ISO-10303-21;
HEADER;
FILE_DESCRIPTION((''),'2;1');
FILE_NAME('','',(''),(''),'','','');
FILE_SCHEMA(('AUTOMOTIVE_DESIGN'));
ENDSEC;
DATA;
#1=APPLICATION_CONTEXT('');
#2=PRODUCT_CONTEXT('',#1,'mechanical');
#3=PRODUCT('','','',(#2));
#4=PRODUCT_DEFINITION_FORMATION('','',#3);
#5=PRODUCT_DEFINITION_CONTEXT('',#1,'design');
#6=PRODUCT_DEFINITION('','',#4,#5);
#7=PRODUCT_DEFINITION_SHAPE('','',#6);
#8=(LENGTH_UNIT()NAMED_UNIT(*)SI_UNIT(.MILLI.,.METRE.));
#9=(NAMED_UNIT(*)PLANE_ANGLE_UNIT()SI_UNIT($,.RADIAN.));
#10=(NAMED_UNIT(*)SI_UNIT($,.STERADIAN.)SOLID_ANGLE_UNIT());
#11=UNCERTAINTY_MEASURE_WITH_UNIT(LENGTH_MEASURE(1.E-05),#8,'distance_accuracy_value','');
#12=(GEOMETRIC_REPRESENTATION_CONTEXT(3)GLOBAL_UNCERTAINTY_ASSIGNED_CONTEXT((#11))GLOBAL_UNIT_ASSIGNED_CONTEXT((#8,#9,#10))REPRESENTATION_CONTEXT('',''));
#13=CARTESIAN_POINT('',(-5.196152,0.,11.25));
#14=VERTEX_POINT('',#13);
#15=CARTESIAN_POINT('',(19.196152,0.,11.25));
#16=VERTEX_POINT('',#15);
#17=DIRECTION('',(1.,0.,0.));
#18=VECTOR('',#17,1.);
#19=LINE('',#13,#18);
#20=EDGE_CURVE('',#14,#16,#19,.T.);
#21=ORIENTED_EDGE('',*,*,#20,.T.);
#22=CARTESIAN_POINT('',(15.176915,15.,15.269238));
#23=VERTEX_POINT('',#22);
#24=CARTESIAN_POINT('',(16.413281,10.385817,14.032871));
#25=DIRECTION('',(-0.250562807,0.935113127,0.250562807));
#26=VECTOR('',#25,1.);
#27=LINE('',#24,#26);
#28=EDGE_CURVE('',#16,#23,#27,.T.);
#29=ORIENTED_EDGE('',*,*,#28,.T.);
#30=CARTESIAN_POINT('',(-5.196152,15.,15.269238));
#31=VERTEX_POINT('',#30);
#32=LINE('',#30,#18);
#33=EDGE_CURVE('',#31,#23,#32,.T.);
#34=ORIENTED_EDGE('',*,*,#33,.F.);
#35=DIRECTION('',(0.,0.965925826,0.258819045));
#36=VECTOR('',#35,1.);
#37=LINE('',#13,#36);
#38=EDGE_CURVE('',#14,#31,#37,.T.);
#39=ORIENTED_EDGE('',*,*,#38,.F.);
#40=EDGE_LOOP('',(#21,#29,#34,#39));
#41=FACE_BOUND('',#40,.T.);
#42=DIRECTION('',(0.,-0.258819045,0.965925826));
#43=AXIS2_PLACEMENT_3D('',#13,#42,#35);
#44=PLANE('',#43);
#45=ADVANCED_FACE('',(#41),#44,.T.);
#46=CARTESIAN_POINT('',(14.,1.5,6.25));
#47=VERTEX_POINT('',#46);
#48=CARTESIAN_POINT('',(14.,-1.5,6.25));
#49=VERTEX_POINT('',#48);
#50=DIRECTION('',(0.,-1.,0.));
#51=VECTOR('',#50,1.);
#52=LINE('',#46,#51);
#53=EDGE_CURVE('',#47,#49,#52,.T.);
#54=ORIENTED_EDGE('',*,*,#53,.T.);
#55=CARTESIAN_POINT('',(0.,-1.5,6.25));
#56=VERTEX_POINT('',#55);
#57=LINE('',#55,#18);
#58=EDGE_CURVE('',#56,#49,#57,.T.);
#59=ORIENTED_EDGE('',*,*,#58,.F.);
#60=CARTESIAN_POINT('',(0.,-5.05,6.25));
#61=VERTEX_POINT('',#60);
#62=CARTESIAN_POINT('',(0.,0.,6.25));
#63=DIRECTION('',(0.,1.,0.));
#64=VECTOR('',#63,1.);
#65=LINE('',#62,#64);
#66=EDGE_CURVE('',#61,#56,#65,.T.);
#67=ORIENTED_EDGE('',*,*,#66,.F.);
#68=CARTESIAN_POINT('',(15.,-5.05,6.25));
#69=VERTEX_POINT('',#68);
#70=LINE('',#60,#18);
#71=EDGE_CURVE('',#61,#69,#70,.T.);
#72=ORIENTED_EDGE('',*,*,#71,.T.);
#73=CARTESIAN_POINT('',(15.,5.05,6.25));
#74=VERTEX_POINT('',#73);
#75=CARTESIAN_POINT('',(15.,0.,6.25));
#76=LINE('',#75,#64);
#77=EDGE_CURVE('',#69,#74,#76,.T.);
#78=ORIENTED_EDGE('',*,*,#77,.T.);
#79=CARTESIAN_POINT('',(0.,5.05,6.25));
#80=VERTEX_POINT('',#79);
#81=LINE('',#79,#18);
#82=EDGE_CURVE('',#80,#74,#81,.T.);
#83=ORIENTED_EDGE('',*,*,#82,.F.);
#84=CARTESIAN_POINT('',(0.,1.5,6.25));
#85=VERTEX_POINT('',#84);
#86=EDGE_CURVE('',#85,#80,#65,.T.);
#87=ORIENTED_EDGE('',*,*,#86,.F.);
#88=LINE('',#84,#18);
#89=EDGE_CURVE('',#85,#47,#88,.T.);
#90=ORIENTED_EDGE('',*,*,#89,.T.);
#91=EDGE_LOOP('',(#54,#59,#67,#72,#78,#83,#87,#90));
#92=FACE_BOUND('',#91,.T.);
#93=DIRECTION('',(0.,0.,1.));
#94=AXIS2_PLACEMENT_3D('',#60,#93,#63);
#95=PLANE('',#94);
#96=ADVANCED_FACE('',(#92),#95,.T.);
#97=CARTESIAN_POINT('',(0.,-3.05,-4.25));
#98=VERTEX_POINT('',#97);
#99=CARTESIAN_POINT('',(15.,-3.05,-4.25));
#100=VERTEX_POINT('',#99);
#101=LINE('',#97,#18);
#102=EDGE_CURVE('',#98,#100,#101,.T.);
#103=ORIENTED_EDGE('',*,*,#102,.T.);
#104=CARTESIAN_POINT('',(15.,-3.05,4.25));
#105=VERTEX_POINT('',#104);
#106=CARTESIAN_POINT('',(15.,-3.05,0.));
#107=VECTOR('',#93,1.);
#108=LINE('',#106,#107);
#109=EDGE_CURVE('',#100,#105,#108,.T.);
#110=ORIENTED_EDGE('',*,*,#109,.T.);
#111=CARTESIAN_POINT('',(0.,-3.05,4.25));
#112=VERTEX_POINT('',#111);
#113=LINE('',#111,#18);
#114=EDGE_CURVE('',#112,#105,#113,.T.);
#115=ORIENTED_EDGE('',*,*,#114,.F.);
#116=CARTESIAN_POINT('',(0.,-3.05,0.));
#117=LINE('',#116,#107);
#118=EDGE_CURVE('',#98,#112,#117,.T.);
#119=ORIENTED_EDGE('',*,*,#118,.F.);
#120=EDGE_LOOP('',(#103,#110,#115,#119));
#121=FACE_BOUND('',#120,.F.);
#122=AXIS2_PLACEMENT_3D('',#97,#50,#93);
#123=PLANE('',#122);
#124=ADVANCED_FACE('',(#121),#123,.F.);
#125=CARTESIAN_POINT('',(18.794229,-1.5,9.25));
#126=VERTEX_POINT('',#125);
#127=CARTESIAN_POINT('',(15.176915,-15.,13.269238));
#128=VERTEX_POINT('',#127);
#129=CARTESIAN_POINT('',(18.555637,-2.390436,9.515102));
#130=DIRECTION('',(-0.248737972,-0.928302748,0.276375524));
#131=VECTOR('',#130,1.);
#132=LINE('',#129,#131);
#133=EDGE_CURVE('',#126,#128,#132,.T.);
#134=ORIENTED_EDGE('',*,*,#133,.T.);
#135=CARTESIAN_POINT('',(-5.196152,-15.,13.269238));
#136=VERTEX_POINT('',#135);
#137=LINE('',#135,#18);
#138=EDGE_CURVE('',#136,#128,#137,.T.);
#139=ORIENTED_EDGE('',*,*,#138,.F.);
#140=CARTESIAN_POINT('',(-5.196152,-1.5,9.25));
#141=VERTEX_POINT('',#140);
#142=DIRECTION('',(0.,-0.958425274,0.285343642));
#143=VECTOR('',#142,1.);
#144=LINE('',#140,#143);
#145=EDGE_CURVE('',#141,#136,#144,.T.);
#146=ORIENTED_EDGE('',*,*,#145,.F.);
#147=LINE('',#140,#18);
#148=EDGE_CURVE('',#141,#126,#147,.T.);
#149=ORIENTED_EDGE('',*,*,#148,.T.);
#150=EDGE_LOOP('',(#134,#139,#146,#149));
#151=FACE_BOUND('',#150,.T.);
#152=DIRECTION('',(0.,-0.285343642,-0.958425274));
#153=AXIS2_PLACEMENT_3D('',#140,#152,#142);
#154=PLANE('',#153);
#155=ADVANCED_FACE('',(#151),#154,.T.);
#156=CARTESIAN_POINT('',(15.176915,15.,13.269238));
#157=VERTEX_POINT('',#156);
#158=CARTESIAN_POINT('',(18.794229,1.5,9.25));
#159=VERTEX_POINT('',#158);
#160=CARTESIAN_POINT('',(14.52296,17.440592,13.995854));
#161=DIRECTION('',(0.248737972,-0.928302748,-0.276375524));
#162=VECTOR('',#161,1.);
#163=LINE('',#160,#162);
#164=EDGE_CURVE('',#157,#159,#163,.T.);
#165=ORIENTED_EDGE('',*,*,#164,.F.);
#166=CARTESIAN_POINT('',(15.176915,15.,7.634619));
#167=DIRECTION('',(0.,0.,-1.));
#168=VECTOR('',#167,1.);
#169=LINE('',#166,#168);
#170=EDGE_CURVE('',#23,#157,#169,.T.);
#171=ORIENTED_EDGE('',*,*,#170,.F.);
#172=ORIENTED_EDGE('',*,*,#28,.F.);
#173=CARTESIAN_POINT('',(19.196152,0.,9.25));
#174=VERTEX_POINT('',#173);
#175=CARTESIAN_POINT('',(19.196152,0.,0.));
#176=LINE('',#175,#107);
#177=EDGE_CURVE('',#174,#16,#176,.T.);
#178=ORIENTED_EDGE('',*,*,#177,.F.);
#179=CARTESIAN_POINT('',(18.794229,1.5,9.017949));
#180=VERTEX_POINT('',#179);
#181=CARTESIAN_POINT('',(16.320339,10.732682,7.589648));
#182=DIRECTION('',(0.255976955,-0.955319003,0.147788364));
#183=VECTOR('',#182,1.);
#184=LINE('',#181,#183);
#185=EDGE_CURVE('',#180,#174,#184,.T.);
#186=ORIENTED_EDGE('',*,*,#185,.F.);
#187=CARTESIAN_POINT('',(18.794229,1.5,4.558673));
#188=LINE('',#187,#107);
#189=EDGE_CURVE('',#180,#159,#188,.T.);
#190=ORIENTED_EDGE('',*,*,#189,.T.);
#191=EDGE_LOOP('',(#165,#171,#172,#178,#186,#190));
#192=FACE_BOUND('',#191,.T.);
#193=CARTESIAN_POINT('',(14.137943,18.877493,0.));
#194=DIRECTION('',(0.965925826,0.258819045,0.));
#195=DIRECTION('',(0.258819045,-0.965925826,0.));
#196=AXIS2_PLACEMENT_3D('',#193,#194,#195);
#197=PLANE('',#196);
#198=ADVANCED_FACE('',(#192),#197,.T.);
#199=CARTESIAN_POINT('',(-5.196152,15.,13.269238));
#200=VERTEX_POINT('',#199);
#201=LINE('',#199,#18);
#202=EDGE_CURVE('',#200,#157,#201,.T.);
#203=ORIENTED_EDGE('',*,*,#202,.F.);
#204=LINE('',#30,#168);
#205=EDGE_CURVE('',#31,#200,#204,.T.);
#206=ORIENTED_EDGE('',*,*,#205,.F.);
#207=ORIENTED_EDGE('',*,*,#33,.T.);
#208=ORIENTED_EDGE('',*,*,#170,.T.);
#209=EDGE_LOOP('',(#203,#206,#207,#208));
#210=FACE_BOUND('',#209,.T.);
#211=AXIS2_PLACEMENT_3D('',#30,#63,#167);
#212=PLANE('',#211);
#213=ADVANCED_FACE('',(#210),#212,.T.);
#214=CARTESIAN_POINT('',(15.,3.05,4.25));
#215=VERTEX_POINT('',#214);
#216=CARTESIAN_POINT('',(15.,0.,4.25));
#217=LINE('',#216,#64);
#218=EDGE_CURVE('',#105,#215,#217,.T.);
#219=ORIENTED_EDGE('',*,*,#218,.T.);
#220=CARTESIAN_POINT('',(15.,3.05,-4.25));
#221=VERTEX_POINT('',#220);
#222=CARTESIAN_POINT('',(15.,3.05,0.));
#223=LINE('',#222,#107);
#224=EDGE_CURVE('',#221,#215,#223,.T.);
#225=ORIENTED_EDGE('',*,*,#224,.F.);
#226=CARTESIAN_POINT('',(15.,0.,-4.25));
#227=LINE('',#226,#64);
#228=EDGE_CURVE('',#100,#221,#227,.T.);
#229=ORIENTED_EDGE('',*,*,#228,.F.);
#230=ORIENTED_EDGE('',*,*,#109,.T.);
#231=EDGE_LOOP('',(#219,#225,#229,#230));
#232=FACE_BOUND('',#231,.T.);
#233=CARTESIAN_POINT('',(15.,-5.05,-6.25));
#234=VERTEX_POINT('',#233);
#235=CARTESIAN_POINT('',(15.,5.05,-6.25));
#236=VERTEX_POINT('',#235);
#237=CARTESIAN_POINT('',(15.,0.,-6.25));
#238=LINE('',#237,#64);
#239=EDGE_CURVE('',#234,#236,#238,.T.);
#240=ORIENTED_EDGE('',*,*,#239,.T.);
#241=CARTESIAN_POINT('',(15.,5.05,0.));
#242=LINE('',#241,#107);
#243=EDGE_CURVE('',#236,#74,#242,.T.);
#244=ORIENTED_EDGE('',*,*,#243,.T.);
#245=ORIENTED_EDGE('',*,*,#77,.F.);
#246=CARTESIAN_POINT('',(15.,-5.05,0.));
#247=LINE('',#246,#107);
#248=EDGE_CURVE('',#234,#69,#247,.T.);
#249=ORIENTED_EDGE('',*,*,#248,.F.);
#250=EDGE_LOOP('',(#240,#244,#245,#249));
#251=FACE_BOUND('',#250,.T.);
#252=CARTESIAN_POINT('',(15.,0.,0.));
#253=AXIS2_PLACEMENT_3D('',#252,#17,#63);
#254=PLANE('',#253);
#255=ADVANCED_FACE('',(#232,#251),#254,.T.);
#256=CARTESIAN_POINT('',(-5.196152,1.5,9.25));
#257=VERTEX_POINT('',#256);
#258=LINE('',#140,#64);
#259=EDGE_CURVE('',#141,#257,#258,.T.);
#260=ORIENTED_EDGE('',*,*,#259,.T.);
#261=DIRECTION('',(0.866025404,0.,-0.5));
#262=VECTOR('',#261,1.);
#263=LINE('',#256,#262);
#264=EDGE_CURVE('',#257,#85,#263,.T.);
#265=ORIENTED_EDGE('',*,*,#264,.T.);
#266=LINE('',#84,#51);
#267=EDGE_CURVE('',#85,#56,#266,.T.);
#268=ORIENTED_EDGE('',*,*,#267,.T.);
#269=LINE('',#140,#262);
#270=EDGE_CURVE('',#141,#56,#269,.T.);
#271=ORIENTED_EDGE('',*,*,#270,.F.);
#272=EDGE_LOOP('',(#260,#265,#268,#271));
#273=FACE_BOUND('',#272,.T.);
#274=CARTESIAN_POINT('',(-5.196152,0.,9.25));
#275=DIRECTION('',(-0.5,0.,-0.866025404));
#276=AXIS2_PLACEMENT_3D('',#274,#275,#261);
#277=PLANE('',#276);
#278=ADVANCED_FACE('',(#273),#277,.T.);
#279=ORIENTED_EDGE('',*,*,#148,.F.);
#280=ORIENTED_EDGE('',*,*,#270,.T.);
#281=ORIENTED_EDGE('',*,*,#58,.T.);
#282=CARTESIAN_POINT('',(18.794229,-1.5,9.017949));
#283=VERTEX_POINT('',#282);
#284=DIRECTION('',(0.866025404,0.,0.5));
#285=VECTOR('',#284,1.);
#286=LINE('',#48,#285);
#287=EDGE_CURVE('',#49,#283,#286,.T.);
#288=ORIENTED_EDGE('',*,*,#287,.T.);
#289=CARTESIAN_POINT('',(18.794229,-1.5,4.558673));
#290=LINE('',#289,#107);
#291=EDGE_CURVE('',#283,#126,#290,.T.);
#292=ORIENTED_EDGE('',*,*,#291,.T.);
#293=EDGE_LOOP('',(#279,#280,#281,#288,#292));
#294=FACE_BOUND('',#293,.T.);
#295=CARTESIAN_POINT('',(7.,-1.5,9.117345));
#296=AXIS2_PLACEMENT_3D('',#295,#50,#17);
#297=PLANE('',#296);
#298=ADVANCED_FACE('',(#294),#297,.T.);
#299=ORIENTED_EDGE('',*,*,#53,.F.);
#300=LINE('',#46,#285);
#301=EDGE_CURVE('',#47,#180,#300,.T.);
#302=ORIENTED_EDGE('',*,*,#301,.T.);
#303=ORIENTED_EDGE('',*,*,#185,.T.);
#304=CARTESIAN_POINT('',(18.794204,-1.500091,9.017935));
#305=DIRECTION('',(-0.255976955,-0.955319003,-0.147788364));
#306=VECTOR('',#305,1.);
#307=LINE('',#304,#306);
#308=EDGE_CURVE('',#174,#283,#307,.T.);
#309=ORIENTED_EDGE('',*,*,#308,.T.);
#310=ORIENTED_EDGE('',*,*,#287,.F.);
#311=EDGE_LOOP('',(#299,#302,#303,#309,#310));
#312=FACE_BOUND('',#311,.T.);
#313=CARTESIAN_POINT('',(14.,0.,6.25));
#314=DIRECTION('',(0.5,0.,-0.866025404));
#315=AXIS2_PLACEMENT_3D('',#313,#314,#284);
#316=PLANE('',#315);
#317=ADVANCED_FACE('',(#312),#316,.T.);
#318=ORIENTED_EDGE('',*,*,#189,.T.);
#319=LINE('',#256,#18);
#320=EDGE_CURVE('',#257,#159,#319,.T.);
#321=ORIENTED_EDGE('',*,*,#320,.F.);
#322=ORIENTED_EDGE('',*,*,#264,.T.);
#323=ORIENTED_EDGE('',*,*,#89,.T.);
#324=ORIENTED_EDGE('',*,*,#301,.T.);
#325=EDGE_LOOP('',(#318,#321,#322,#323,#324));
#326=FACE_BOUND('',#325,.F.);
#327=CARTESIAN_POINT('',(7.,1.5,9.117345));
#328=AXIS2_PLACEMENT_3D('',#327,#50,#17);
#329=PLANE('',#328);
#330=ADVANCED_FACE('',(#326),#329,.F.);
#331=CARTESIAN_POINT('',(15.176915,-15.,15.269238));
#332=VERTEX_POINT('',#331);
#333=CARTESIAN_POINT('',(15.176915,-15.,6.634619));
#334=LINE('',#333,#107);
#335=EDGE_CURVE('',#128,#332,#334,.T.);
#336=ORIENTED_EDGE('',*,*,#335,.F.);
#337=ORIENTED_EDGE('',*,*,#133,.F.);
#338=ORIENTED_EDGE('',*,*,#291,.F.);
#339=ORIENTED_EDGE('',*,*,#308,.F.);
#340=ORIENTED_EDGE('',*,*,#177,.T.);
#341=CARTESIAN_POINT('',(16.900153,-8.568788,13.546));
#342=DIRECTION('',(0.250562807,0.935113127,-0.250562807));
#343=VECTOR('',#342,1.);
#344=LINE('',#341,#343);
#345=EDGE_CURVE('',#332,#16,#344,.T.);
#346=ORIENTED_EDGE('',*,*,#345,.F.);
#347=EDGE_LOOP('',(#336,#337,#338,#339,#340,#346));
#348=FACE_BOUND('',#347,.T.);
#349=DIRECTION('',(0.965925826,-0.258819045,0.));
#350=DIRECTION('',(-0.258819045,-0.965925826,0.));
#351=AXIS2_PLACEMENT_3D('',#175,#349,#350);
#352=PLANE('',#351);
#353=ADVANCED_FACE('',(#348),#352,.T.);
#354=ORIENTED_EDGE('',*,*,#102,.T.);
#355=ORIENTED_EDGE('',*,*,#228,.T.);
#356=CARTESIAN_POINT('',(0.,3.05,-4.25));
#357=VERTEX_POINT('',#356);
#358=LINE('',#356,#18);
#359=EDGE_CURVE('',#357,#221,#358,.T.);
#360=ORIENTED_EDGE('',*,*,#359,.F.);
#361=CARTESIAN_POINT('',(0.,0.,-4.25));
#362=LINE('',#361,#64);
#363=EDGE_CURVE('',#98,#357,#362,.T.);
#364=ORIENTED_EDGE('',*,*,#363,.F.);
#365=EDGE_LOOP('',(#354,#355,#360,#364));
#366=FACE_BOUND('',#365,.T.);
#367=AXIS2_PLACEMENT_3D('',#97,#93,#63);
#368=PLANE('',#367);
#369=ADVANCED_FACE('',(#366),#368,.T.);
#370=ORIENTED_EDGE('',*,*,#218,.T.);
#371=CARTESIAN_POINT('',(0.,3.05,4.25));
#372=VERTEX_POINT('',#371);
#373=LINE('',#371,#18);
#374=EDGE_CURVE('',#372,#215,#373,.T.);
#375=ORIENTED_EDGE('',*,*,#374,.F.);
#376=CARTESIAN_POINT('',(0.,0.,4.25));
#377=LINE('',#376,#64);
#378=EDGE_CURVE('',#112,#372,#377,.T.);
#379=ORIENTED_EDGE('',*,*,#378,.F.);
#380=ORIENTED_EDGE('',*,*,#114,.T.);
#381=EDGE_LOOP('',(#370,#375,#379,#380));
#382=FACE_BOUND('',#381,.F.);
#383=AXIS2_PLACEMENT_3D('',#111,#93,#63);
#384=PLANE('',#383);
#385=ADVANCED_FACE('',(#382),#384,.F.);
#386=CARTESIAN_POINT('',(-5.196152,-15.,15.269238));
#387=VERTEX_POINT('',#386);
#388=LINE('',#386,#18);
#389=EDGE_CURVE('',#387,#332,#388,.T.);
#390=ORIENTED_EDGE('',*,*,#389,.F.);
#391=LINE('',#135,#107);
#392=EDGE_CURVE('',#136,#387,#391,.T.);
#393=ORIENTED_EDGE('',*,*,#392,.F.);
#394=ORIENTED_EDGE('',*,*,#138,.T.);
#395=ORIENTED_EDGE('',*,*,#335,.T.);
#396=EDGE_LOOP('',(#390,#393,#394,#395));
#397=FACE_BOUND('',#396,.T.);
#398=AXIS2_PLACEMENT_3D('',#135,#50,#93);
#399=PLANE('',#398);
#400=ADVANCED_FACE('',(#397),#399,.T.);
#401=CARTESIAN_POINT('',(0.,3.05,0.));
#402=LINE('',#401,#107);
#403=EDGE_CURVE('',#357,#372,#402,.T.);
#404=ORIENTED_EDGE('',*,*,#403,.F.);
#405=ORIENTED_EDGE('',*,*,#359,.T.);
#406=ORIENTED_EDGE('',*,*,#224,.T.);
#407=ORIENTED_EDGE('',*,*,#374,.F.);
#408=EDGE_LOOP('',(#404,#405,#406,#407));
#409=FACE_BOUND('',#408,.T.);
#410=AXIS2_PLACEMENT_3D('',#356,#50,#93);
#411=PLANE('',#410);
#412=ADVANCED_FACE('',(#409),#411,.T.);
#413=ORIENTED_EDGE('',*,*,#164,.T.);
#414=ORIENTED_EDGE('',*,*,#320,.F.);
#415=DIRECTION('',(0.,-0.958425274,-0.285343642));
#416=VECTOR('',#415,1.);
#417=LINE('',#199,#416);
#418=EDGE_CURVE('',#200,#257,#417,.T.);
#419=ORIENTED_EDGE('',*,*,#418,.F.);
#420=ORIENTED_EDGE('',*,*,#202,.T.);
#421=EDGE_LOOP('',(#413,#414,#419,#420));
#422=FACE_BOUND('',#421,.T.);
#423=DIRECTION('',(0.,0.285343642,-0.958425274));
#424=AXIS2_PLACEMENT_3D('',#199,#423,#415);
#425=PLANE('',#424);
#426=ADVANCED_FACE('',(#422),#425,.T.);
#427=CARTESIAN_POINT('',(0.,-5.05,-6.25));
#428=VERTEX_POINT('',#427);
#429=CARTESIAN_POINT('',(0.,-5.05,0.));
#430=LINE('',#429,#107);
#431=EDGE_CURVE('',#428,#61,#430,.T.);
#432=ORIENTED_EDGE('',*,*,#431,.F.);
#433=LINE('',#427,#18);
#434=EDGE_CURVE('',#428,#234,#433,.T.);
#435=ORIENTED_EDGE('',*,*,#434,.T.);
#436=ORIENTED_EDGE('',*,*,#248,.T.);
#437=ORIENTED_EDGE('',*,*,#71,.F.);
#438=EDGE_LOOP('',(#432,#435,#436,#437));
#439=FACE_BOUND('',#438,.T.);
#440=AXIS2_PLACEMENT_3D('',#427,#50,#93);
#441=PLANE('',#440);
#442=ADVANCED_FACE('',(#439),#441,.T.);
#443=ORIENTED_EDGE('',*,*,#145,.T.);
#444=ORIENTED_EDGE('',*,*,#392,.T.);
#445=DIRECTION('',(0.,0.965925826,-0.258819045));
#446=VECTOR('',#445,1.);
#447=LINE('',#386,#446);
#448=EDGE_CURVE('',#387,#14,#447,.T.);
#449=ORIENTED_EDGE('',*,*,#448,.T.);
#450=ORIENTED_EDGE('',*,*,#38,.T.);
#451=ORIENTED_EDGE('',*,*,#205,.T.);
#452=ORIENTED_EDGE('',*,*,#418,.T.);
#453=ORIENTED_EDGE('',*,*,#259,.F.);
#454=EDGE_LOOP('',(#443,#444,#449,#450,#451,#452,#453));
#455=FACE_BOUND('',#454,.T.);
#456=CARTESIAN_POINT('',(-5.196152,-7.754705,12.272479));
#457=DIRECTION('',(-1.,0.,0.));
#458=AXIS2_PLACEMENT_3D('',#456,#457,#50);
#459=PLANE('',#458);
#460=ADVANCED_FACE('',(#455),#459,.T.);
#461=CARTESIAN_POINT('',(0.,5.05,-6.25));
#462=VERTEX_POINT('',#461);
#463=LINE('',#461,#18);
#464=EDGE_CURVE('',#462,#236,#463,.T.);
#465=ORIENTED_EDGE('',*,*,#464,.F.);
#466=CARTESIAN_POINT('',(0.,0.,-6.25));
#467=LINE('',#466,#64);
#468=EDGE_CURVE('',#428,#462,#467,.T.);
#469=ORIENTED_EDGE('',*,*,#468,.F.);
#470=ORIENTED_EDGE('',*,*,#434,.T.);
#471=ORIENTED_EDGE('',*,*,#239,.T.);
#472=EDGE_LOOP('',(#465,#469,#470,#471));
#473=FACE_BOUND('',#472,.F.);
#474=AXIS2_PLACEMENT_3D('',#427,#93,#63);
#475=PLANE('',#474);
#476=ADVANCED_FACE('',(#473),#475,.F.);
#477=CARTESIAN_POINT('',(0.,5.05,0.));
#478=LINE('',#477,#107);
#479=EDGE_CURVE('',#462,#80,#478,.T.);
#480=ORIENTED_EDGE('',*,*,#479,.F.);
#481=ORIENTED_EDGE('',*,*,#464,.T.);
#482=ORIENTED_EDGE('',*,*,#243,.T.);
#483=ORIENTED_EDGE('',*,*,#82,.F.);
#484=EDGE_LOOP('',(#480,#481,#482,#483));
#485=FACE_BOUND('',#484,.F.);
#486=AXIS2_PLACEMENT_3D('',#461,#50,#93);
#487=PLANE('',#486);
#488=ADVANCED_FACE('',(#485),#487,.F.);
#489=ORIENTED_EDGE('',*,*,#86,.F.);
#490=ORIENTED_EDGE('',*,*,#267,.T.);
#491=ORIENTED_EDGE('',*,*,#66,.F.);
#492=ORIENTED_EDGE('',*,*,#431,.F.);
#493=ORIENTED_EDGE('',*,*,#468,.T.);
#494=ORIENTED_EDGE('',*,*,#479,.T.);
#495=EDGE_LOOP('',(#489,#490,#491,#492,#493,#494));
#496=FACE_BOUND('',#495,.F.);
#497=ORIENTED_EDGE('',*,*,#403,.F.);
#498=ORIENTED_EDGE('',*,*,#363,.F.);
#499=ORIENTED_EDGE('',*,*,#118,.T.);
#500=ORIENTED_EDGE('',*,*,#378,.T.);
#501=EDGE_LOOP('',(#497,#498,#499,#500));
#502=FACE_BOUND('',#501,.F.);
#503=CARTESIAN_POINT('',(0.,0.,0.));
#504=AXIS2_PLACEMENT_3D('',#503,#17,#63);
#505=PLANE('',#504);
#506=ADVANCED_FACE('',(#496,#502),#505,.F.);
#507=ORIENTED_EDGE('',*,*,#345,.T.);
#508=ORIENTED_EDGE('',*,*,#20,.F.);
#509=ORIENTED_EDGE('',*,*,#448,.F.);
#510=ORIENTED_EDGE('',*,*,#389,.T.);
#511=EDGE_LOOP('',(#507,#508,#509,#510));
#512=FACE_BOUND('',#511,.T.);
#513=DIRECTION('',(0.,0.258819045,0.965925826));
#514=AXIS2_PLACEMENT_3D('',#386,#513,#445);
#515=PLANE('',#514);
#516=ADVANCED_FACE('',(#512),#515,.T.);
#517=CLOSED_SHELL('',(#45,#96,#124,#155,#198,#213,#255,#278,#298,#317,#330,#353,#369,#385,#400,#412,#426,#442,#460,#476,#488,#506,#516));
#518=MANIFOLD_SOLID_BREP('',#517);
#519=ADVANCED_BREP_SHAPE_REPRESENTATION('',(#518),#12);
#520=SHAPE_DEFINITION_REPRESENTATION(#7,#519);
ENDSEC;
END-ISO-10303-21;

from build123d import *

# Parameters (mm, degrees)
F0_W     = 10.1
F0_H     = 12.5
F0_W_2   = 6.1
F0_H_2   = 8.5
F1_DEPTH = 15
F3_DEPTH = 1.5
F5_DEPTH = 24.3923048454
F7_DEPTH = 25


with BuildPart() as f1:
    # F0 (on Right) → F1 (new body)
    with BuildSketch(Plane.YZ):
        Rectangle(F0_W, F0_H)
        Rectangle(F0_W_2, F0_H_2, mode=Mode.SUBTRACT)
    extrude(amount=F1_DEPTH)

    # F2 (on Front) → F3 (join, symmetric)
    with BuildSketch(Plane.XZ):
        Polygon((-5.1961524227, 9.25), (0, 6.25), (14, 6.25), (19.1961524227, 9.25), (19.1961524227, 11.25), (-5.1961524227, 11.25), align=None)
    extrude(amount=F3_DEPTH, both=True)

    # F4 (on face) → F5 (join, through all)
    with BuildSketch(Plane(origin=(-5.1961524227, 0, 0), x_dir=(0, -1, 0), z_dir=(-1, 0, 0))):
        Polygon((15, 15.2692378865), (0, 11.25), (1.5, 9.25), (15, 13.2692378865), align=None)
        Polygon((-1.5, 9.25), (0, 11.25), (-15, 15.2692378865), (-15, 13.2692378865), align=None)
    extrude(amount=-F5_DEPTH)

    # F6 (on Top) → F7 (cut)
    with BuildSketch(Plane.XY):
        Polygon((14.1379434391, 18.8774929223), (19.1961524227, 0), (14.1379434391, -18.8774929223), (27.2481460124, -18.8774929223), (27.2481460124, 0), (27.2481460124, 18.8774929223), align=None)
    extrude(amount=F7_DEPTH, mode=Mode.SUBTRACT)


solid = f1.part
